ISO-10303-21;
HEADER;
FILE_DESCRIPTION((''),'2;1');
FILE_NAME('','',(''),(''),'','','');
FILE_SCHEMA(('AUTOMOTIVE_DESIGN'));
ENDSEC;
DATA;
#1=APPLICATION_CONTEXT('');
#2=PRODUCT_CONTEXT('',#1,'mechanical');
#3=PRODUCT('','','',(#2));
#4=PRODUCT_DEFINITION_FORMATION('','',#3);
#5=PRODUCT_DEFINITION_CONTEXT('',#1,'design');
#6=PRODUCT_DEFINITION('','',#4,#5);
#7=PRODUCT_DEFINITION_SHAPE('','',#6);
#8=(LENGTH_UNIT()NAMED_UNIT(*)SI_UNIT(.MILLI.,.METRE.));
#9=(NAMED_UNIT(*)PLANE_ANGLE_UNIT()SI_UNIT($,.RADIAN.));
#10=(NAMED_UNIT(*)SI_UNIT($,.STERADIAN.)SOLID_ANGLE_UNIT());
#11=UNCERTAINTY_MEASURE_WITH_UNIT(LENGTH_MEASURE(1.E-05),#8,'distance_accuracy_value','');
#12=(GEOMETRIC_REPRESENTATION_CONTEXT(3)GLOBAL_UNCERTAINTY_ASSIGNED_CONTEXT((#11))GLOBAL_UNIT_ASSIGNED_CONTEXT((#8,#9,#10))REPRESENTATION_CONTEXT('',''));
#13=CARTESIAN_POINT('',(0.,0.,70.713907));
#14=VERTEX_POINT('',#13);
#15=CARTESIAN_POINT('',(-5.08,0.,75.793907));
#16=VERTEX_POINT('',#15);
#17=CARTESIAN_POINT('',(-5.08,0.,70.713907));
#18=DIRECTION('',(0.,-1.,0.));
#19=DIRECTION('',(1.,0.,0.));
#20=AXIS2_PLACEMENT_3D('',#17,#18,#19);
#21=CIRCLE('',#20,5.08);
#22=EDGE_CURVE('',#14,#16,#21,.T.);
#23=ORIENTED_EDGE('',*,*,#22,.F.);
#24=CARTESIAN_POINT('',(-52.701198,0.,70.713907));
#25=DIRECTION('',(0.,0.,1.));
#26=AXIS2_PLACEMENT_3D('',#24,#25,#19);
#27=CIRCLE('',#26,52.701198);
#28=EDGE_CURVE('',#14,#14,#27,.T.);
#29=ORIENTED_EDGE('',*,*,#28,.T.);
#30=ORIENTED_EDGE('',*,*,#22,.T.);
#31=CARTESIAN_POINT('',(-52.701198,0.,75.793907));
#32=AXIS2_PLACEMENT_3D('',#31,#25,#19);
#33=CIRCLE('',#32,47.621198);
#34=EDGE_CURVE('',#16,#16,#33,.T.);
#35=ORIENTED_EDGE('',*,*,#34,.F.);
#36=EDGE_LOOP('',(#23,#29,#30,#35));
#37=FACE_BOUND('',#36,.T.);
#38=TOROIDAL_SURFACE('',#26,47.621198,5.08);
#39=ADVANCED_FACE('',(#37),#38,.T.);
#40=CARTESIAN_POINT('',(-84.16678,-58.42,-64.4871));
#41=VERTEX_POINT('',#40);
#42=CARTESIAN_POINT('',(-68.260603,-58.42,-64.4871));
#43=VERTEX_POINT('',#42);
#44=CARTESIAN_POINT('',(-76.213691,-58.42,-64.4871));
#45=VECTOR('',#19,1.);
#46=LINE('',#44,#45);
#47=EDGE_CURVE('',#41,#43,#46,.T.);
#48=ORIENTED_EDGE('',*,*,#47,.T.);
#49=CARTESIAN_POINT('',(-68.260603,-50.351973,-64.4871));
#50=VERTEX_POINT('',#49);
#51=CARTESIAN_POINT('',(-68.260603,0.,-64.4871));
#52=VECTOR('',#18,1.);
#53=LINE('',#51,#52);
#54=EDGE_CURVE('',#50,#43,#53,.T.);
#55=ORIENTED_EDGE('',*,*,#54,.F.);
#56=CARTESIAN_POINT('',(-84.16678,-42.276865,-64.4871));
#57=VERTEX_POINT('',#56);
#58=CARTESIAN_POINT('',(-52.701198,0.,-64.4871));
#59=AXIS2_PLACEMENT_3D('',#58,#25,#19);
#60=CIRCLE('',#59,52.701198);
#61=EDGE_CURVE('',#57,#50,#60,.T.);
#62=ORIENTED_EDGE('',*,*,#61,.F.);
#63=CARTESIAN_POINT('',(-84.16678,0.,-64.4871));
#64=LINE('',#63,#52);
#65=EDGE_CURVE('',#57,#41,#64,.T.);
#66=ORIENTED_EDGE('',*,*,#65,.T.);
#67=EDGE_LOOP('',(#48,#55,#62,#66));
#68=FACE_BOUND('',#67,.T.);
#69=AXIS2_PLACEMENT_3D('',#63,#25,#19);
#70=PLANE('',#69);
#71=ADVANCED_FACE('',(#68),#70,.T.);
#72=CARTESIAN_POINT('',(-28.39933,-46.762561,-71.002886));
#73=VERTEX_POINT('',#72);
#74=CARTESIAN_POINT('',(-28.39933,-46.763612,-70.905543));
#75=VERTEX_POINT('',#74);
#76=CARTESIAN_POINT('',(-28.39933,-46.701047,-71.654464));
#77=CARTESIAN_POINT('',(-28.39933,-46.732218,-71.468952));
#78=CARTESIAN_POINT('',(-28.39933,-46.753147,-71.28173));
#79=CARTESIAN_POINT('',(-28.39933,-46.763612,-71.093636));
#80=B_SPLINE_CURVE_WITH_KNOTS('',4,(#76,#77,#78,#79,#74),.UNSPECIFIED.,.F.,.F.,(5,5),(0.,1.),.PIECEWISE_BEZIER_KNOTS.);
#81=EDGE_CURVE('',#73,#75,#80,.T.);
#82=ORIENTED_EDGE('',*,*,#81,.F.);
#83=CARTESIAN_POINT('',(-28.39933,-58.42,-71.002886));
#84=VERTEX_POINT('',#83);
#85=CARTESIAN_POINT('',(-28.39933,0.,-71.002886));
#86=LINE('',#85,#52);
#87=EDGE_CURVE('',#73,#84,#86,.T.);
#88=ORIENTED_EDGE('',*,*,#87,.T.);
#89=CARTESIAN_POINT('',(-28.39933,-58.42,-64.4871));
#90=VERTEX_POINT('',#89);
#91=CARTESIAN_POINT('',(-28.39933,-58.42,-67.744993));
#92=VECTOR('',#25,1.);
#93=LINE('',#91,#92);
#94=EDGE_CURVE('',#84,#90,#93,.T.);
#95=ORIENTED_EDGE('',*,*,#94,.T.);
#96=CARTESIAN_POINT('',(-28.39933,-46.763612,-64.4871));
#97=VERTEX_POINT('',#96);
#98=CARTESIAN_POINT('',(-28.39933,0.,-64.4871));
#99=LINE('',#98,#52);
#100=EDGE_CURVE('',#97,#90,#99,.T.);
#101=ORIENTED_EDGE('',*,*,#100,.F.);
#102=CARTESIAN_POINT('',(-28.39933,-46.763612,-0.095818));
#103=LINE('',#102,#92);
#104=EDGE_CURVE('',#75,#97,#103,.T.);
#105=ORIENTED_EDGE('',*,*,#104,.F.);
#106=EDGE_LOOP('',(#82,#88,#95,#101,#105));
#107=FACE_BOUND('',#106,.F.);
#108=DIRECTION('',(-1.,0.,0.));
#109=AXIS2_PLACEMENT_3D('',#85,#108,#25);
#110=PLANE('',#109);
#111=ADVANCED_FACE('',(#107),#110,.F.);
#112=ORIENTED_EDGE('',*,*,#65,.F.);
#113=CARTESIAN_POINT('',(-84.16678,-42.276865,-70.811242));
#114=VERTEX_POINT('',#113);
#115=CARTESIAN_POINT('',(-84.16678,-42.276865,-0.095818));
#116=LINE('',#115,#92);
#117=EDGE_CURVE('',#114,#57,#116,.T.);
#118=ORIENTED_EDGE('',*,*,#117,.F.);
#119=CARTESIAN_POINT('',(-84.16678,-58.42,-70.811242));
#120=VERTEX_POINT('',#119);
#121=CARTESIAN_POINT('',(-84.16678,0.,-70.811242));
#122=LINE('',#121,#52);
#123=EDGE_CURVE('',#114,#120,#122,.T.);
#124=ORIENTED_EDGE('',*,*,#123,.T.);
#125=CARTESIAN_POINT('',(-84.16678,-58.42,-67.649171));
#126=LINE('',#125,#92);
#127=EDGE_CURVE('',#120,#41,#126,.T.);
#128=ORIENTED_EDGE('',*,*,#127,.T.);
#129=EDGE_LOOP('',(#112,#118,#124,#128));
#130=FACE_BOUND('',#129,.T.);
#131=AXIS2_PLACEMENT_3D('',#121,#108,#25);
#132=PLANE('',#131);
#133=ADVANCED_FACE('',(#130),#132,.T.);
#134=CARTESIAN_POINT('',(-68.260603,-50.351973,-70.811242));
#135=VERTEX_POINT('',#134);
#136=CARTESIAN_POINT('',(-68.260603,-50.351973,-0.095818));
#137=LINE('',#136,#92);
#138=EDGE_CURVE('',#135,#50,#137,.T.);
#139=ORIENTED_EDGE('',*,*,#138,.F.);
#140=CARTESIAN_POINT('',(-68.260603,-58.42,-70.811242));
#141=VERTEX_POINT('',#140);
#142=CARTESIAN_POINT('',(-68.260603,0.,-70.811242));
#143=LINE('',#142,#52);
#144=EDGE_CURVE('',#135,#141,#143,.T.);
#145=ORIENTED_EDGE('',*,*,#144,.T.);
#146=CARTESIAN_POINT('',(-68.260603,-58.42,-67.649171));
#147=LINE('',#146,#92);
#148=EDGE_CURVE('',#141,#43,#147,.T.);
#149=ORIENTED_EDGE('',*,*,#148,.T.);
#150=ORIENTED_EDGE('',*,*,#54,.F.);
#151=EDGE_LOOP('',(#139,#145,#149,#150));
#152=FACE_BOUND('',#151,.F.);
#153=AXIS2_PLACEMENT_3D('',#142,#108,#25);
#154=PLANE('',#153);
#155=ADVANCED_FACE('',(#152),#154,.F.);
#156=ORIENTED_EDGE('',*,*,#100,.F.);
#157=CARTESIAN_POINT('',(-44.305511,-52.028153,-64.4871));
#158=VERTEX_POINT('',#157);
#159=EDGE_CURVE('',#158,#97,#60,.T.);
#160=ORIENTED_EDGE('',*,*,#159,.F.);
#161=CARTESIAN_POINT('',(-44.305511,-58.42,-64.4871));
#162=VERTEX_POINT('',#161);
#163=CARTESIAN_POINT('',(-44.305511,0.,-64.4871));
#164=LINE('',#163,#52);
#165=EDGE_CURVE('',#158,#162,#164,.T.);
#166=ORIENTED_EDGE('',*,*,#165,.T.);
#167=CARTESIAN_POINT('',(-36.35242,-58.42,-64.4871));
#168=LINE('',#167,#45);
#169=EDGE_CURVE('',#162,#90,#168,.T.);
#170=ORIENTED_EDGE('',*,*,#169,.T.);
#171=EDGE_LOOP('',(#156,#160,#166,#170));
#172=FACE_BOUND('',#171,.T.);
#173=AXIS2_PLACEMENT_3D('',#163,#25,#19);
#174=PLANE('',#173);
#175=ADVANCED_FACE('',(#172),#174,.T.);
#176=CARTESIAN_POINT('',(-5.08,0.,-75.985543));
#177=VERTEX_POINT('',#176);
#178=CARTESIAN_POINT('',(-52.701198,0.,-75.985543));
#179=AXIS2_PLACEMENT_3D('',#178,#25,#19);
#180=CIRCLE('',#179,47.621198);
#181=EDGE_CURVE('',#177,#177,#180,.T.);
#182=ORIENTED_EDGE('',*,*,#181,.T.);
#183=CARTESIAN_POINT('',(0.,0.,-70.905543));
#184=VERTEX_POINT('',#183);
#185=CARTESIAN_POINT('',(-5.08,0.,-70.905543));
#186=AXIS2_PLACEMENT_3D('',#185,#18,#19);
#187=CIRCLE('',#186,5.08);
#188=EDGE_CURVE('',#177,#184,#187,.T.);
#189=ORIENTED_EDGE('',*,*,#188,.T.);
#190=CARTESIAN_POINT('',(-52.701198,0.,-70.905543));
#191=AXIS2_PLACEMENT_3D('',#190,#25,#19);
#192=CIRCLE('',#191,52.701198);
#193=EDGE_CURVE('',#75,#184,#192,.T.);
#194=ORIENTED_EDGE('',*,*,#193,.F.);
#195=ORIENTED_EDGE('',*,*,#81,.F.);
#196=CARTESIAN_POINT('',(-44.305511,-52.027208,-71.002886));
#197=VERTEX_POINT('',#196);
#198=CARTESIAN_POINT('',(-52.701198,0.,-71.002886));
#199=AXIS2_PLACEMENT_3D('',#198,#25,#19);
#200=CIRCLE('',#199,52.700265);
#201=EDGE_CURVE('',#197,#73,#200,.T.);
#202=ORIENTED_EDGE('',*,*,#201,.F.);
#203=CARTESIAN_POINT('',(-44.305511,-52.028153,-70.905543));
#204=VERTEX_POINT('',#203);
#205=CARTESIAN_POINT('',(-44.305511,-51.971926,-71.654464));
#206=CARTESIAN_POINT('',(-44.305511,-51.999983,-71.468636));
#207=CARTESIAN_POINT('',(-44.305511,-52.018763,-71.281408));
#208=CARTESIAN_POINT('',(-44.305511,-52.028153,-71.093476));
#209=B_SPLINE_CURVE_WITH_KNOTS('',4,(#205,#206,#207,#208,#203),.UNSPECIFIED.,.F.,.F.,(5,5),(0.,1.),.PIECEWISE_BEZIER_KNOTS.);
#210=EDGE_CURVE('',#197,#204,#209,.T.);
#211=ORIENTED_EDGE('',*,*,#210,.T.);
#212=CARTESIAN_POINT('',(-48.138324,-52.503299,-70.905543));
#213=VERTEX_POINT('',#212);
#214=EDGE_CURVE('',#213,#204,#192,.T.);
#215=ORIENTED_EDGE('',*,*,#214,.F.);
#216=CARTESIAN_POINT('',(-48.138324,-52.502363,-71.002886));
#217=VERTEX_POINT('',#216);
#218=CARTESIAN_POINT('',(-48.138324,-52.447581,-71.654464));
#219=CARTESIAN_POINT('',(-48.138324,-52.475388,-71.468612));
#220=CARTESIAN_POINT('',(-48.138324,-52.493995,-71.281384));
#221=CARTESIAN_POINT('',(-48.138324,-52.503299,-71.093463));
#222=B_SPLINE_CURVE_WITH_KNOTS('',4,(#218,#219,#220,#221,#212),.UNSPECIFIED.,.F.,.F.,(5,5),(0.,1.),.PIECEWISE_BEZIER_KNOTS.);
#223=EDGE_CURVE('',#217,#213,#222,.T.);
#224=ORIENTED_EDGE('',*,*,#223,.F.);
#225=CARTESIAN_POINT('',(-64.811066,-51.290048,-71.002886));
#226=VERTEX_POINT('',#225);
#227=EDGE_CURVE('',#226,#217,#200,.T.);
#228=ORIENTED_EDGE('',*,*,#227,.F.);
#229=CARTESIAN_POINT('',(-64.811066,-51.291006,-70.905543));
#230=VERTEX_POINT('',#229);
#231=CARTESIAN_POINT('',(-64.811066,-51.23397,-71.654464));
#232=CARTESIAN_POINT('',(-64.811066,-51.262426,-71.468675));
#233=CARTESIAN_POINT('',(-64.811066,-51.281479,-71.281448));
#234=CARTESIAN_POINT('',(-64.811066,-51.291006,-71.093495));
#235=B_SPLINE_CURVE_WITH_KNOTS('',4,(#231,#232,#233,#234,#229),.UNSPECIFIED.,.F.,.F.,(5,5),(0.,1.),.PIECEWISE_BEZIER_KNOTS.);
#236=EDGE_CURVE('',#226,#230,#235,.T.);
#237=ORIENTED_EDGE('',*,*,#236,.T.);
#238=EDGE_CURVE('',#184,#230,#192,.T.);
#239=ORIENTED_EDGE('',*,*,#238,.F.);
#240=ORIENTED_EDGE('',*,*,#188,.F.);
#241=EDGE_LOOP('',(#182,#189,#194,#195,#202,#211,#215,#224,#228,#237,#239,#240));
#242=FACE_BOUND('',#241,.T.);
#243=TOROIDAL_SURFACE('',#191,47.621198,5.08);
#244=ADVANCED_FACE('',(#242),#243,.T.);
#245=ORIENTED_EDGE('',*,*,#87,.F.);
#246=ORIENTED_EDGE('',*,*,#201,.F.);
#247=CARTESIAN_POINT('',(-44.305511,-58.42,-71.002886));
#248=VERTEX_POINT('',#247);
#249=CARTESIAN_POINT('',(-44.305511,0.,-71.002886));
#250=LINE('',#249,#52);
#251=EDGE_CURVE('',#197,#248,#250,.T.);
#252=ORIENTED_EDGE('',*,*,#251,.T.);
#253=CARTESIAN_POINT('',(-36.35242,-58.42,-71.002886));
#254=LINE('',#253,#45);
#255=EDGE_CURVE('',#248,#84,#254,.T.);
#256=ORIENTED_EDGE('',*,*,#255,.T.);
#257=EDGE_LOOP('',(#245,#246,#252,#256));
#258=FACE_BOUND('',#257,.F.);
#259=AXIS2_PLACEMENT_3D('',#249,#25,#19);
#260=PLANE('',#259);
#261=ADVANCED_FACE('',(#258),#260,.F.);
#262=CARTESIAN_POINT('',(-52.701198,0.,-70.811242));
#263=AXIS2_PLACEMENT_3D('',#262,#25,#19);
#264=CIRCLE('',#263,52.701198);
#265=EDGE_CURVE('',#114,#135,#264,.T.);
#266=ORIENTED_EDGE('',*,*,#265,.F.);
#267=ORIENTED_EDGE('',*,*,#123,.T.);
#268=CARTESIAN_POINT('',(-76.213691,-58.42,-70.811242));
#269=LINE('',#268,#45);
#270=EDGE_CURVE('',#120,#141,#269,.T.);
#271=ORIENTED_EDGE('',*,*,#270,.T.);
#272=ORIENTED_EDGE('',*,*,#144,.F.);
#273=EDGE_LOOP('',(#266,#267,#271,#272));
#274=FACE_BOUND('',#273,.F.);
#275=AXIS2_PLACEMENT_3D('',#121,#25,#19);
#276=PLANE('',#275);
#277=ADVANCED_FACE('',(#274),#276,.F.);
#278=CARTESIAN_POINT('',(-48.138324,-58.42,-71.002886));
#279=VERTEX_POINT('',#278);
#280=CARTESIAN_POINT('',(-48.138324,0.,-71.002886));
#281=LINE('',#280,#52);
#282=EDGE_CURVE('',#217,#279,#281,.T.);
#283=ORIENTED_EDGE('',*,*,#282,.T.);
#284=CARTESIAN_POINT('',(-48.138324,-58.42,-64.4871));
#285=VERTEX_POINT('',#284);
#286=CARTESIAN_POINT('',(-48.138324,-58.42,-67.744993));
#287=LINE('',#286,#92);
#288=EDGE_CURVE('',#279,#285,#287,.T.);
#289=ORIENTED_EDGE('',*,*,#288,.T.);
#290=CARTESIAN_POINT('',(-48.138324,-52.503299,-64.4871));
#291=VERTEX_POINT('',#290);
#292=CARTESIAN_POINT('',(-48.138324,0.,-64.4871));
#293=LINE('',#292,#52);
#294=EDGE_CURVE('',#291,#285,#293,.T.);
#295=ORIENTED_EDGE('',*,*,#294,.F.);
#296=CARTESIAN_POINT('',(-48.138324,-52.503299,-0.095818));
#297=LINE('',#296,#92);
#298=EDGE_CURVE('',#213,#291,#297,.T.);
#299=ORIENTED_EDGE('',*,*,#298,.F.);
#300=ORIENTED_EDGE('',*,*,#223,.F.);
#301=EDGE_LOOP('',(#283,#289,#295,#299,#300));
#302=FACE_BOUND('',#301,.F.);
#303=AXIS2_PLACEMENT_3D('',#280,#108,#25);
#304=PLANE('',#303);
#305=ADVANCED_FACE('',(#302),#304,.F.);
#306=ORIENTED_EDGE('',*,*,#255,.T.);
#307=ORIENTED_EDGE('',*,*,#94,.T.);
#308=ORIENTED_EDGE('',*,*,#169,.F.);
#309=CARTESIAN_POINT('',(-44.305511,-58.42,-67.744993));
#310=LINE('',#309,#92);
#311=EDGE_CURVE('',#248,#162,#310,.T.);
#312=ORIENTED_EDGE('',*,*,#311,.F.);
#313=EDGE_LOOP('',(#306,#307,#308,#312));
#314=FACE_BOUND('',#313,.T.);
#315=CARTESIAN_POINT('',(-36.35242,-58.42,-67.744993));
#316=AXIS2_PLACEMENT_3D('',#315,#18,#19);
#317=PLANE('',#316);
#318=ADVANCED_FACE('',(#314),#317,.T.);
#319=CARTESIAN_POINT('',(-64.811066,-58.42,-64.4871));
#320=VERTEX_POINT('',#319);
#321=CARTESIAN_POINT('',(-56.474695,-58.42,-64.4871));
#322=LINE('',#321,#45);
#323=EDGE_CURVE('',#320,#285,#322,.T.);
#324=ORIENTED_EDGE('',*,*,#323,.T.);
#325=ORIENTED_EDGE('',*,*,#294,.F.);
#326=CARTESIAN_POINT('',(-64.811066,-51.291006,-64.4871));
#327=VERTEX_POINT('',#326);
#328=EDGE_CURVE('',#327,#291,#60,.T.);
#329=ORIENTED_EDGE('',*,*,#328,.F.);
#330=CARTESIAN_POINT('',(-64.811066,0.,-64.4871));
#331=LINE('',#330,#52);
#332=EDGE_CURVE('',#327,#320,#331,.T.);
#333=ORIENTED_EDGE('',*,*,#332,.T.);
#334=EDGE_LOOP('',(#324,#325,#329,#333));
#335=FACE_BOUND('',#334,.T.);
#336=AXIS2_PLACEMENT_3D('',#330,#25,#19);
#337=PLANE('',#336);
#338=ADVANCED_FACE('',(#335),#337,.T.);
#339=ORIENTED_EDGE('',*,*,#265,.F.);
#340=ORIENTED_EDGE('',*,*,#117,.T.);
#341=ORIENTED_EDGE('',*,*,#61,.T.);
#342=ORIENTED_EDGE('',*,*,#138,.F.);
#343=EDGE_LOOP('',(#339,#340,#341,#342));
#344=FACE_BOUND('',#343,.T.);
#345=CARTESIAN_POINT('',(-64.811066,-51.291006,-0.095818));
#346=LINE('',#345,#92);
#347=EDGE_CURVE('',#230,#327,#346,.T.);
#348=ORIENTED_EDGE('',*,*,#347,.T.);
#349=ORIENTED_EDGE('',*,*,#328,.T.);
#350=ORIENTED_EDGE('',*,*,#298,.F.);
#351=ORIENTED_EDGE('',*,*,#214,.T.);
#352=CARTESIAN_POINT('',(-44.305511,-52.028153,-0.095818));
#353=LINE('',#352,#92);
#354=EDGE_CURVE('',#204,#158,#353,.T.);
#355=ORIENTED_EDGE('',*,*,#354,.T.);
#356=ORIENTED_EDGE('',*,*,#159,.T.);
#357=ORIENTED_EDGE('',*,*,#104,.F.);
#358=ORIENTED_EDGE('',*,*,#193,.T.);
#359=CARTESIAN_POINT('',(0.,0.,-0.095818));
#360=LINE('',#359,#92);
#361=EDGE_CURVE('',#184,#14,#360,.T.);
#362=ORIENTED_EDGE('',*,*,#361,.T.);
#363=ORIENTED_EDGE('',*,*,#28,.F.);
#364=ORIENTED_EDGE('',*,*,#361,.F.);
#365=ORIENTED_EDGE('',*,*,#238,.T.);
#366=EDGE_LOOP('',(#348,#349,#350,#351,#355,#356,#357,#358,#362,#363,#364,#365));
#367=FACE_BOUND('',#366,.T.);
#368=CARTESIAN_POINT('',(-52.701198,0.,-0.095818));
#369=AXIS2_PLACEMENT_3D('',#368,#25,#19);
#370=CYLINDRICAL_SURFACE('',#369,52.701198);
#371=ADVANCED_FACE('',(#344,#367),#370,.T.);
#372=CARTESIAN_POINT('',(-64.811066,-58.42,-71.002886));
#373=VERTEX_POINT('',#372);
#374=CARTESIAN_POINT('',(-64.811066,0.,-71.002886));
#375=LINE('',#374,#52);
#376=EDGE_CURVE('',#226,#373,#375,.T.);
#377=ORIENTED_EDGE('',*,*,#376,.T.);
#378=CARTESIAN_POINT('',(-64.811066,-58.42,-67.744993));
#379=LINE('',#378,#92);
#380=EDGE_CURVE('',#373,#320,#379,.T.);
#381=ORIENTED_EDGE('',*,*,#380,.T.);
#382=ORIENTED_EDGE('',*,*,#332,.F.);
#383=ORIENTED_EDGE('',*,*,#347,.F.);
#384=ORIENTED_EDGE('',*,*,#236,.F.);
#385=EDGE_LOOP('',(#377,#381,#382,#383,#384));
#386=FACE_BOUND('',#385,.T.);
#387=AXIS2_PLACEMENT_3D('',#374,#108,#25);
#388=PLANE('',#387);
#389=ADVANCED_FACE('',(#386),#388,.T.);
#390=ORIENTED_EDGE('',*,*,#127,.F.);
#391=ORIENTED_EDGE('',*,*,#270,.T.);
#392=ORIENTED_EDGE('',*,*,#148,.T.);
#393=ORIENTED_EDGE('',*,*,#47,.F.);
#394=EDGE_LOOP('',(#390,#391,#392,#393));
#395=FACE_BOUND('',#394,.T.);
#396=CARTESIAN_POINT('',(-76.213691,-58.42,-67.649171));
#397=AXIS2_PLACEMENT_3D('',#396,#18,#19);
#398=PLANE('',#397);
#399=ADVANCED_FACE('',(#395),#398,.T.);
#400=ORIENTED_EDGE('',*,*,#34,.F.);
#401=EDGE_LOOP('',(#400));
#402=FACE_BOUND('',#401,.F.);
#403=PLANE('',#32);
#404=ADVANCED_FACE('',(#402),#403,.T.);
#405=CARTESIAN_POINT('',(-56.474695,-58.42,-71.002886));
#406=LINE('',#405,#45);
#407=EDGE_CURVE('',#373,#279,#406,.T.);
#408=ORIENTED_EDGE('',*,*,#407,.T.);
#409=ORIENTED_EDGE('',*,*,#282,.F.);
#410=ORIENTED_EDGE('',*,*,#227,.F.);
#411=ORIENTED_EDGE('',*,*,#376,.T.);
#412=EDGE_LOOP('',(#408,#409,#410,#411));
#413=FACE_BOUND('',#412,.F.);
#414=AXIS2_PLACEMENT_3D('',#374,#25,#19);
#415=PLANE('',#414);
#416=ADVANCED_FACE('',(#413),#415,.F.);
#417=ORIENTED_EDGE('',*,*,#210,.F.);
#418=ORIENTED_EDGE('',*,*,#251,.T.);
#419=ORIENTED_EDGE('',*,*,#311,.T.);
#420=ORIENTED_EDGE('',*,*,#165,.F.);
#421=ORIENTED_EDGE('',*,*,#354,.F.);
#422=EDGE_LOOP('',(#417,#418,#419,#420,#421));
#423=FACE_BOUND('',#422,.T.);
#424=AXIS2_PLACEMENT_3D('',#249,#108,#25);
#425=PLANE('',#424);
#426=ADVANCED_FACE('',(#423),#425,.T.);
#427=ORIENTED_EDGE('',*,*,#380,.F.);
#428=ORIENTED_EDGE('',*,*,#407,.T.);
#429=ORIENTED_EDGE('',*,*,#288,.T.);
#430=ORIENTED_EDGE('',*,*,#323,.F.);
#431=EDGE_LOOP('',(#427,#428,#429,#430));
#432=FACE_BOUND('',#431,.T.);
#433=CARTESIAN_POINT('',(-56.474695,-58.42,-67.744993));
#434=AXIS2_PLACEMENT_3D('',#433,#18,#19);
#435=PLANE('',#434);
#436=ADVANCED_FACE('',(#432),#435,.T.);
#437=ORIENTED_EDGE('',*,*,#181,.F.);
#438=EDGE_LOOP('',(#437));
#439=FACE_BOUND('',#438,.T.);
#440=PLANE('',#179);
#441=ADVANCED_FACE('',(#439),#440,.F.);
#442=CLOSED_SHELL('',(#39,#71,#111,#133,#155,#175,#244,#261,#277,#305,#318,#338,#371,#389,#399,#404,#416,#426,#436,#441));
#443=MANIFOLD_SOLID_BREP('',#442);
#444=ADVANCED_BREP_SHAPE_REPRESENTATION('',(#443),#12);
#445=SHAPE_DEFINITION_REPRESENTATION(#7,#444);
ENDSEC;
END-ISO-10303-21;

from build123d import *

# Parameters (mm, degrees)
F0_W     = 52.7011975646
F0_H     = 151.7794504762
F2_R     = 5.08
F3_W     = 15.9061774611
F3_H     = 6.3241422176
F3_W_2   = 16.6727416217
F3_H_2   = 6.5157860518
F3_W_3   = 15.9061811864
F4_DEPTH = 58.42


with BuildPart() as f1:
    # F0 (on Front) → F1 (revolve)
    with BuildSketch(Plane.XZ):
        with Locations((-26.3505987823, -0.0958181918)):
            Rectangle(F0_W, F0_H)
    revolve(axis=Axis((-52.7011975646, 0, -0.0958181918), (0, 0, 1)))

    # F2
    f2_edges = [f1.edges().sort_by_distance(p)[0] for p in [
        (-105.402395, 0, 75.793907),
        (-105.402395, 0, -75.985543),
    ]]
    fillet(f2_edges, radius=F2_R)

    # F3 (on Front) → F4 (join)
    with BuildSketch(Plane.XZ):
        with Locations((-76.2136913836, -67.6491707563)):
            Rectangle(F3_W, F3_H)
        with Locations((-56.4746949822, -67.7449926734)):
            Rectangle(F3_W_2, F3_H_2)
        with Locations((-36.3524202257, -67.7449926734)):
            Rectangle(F3_W_3, F3_H_2)
    extrude(amount=F4_DEPTH)


solid = f1.part
